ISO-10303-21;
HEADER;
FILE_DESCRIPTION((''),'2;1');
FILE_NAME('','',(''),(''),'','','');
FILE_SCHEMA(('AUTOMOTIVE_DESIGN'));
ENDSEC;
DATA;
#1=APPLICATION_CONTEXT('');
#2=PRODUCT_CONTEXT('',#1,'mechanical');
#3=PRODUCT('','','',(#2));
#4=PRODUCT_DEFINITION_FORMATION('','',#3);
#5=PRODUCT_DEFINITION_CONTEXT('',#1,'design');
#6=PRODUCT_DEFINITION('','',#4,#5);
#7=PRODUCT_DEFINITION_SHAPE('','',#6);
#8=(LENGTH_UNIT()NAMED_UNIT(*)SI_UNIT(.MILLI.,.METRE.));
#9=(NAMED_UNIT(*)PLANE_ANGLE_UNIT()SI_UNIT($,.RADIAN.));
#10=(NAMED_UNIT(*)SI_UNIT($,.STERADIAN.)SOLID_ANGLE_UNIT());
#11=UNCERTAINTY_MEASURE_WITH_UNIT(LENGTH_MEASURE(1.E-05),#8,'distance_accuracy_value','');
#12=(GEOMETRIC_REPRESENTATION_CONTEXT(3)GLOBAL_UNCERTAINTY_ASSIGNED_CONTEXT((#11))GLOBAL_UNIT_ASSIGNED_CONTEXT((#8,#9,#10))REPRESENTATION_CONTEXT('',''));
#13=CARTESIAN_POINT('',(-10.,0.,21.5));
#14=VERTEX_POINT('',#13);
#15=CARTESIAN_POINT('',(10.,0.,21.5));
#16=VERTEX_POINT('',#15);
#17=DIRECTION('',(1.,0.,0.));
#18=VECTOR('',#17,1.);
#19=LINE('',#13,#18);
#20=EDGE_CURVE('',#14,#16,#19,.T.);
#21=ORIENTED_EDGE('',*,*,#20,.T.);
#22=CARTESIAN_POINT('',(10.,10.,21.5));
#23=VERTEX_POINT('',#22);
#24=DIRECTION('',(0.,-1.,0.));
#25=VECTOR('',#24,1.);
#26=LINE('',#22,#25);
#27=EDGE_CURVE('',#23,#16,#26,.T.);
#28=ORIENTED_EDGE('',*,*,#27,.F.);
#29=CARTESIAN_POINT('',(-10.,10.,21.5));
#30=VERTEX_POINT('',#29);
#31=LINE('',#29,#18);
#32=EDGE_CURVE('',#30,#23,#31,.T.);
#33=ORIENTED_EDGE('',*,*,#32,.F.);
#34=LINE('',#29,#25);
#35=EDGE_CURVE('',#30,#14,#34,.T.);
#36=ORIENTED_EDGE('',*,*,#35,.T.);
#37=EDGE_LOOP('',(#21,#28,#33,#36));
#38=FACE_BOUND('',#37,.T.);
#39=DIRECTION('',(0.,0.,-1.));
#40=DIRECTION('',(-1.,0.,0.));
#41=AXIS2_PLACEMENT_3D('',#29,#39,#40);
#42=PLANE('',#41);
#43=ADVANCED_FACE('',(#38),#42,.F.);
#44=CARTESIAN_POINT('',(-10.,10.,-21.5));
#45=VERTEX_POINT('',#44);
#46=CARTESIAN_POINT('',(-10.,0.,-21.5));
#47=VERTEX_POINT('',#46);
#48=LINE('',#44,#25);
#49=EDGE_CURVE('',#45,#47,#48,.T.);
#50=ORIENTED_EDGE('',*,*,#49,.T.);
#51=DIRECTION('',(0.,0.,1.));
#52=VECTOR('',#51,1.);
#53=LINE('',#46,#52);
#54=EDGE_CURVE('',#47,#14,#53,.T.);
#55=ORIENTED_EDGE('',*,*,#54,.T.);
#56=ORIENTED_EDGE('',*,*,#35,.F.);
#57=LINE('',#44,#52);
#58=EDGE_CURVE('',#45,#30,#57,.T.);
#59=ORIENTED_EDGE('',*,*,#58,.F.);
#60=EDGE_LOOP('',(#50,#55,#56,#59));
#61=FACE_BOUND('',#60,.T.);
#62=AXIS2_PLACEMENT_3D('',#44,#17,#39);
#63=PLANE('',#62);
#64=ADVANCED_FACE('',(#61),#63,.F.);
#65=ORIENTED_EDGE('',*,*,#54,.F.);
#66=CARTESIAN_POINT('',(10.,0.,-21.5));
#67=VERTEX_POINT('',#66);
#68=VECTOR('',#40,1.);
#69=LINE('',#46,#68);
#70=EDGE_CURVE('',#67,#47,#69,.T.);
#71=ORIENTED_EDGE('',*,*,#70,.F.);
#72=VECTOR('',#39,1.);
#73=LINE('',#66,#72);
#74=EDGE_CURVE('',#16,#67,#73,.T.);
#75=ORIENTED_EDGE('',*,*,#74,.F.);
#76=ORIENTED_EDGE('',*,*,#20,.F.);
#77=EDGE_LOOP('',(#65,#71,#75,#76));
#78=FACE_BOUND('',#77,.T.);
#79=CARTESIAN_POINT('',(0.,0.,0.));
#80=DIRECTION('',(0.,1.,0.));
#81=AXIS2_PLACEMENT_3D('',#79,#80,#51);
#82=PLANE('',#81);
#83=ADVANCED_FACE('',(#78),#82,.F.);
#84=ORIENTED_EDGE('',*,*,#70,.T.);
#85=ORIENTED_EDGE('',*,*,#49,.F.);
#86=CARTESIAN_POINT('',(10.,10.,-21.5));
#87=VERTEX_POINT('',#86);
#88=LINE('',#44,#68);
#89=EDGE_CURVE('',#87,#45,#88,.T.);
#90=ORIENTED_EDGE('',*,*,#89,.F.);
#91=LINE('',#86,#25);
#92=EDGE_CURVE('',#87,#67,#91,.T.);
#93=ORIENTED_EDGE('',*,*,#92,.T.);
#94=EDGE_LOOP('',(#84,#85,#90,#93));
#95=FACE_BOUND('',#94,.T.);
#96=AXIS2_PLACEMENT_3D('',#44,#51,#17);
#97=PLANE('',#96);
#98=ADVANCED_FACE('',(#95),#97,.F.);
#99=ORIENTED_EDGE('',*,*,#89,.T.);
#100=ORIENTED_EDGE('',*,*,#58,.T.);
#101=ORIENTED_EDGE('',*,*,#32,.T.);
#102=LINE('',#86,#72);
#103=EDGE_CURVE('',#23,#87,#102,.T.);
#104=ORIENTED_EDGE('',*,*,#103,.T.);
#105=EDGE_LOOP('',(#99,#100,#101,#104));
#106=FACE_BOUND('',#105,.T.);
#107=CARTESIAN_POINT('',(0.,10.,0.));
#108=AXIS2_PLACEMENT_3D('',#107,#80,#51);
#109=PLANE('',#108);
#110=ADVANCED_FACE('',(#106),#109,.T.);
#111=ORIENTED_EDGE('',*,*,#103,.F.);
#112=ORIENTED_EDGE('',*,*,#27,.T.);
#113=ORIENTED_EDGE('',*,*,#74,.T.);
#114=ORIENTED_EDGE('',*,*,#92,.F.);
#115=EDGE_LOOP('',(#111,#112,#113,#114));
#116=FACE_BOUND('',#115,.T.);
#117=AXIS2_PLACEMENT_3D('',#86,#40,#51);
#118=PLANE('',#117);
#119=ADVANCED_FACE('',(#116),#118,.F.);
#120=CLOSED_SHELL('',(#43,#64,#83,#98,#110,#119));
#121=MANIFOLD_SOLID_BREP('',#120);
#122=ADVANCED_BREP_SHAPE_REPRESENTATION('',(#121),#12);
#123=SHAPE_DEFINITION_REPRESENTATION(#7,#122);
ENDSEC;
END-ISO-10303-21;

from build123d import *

# Parameters (mm, degrees)
SKETCH_1_W      = 20
SKETCH_1_H      = 43
EXTRUDE_1_DEPTH = 10


with BuildPart() as part:
    # 草图1 → 凸台-拉伸1 (new body)
    with BuildSketch(Plane(origin=(0, 0, 0), x_dir=(1, 0, 0), z_dir=(0, 1, 0))):
        Rectangle(SKETCH_1_W, SKETCH_1_H)
    extrude(amount=EXTRUDE_1_DEPTH)


solid = part.part
